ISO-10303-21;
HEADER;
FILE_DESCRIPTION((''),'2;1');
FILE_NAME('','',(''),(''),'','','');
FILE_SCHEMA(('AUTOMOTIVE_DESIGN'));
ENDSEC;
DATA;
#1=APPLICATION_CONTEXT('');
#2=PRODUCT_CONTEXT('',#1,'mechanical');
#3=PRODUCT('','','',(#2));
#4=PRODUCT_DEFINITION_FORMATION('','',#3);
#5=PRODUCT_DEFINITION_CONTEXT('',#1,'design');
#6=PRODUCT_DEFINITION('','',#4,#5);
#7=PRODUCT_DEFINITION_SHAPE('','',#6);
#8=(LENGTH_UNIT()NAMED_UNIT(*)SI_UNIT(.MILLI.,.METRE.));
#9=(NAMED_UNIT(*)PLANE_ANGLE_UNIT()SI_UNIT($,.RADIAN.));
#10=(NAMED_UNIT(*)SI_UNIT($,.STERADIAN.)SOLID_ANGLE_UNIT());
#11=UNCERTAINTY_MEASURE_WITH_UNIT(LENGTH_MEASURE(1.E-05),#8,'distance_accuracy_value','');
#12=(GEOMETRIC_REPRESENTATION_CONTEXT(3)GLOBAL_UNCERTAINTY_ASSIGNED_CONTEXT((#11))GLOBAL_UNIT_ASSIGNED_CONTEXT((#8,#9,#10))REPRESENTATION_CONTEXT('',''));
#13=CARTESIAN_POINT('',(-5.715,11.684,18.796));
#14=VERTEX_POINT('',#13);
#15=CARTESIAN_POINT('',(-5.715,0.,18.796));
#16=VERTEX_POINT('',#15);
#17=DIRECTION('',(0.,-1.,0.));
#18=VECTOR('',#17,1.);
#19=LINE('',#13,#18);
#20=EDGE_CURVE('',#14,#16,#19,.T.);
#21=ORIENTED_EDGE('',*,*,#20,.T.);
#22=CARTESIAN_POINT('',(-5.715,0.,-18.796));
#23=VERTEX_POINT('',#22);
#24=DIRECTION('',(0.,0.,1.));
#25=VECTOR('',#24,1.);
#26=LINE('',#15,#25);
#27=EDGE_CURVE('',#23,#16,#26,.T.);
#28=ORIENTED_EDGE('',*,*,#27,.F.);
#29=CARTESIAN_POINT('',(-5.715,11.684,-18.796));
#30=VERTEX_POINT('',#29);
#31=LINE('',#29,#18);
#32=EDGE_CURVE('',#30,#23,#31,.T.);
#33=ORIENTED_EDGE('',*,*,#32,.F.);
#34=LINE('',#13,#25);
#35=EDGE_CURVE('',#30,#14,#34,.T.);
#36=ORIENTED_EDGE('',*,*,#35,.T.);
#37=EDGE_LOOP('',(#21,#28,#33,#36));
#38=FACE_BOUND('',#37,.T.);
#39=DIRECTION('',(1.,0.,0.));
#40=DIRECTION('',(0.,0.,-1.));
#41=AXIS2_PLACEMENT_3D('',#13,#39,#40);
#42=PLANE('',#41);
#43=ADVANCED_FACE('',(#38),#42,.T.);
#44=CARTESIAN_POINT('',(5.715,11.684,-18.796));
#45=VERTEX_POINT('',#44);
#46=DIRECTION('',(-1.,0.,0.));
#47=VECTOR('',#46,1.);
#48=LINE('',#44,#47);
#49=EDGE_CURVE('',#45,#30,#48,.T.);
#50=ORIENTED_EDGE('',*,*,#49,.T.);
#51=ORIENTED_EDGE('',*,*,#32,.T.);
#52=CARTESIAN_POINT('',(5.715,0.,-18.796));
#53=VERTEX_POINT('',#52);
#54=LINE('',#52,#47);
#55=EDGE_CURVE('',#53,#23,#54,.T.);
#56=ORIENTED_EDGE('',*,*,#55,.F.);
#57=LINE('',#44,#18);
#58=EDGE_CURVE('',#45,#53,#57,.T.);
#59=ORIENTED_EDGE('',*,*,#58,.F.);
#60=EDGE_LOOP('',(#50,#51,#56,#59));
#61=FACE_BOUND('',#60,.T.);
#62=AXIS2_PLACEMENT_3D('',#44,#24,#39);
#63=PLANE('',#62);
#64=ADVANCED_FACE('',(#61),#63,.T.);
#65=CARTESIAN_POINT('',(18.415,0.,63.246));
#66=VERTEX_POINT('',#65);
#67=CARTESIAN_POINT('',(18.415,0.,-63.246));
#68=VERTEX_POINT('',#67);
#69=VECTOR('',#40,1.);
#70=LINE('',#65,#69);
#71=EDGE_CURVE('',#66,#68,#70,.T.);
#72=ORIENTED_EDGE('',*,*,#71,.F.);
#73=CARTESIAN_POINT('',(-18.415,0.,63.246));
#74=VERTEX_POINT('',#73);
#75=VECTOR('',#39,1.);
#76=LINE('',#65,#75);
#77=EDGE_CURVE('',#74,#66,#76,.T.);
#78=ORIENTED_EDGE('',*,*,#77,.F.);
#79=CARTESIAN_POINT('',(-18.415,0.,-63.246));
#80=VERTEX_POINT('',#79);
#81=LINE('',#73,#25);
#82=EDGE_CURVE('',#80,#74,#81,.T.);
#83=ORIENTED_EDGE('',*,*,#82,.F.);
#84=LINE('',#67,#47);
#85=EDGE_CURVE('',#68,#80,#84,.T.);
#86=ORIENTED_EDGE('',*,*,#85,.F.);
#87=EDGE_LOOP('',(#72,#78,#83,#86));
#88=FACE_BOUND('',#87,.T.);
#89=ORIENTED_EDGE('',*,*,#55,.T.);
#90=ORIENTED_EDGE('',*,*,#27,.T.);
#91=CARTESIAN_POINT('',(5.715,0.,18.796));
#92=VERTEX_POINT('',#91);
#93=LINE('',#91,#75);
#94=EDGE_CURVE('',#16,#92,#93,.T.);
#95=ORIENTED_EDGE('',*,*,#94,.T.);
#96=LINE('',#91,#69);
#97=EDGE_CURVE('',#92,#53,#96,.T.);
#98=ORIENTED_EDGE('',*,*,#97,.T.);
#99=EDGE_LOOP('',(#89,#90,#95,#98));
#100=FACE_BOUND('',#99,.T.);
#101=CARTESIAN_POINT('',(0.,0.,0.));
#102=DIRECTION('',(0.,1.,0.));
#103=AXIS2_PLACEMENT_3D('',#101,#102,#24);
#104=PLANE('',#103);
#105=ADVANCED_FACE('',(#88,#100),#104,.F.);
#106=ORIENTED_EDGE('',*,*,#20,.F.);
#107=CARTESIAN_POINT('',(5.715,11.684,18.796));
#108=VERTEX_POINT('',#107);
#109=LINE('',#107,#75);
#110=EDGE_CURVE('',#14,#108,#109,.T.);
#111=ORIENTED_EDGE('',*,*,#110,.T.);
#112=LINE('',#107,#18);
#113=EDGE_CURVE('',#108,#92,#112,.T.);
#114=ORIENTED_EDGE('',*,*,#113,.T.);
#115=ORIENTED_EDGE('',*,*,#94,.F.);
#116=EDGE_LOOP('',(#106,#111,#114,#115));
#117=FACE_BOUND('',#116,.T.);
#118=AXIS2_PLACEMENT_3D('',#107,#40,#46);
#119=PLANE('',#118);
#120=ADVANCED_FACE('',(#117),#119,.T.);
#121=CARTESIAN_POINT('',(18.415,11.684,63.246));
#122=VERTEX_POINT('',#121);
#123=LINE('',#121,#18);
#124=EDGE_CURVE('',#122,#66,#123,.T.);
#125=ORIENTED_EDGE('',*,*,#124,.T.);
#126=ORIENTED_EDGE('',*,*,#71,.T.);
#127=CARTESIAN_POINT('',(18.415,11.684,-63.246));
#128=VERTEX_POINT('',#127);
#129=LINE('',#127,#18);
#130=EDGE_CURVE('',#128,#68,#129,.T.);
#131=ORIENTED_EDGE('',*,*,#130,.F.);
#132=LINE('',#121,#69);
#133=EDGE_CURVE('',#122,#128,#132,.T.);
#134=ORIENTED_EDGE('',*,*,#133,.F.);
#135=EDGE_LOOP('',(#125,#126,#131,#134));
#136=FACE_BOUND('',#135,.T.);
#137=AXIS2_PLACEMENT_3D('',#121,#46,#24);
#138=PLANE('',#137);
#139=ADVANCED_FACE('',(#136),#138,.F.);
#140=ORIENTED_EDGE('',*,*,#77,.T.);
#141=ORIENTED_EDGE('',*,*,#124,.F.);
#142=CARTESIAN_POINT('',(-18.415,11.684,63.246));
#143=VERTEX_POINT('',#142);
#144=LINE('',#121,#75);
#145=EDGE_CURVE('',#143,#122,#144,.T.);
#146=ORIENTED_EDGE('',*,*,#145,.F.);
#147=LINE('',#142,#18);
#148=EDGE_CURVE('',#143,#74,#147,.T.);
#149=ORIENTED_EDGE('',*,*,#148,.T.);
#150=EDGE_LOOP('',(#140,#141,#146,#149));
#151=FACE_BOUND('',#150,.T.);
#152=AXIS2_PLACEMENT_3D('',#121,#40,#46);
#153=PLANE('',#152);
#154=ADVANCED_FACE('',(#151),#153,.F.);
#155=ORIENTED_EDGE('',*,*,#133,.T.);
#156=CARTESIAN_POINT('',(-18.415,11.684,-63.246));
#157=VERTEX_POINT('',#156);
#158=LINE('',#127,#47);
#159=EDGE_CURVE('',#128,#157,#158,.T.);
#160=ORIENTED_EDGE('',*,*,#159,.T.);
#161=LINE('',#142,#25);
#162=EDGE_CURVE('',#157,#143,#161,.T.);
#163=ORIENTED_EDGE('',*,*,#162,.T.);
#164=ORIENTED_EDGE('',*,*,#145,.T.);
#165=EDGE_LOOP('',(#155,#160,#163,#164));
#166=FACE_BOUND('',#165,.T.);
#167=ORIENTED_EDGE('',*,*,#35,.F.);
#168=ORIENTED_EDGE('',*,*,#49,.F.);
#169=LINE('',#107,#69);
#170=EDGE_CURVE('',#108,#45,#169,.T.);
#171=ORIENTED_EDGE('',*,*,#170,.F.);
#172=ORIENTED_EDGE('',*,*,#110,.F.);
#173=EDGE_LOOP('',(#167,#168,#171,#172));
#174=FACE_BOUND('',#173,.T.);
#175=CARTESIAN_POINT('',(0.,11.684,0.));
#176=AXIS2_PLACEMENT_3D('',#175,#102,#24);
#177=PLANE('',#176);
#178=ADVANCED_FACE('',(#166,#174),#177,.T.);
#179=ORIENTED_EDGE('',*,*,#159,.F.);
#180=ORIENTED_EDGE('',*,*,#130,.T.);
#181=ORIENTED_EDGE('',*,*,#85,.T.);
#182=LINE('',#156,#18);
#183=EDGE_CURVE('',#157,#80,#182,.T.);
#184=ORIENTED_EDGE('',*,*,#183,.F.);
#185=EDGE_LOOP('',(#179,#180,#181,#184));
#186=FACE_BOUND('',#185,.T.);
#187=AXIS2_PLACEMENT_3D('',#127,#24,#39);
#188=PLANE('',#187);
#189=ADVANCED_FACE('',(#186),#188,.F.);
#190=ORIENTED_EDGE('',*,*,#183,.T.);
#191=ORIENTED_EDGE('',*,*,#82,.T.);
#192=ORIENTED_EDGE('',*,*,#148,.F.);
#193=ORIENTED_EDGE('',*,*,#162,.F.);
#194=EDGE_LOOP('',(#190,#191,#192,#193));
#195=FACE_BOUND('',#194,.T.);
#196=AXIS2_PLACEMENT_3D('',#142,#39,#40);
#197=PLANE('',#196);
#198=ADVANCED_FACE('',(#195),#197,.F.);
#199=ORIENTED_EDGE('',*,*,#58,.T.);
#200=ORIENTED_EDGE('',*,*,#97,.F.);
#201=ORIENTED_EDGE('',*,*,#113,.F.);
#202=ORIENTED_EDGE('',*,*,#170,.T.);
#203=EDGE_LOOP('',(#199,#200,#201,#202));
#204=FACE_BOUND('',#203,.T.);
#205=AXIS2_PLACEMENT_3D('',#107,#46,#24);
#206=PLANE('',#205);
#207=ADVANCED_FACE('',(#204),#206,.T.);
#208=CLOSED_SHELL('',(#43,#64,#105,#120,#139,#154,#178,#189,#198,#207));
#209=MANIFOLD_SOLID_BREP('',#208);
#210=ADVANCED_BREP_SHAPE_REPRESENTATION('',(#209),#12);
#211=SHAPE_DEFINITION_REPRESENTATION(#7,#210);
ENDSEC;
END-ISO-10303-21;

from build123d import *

# Parameters (mm, degrees)
SKETCH1_W           = 36.83
SKETCH1_H           = 126.492
SKETCH1_W_2         = 11.43
SKETCH1_H_2         = 37.592
BOSS_EXTRUDE1_DEPTH = 11.684


with BuildPart() as part:
    # Sketch1 → Boss-Extrude1 (new body)
    with BuildSketch(Plane(origin=(0, 0, 0), x_dir=(1, 0, 0), z_dir=(0, 1, 0))):
        Rectangle(SKETCH1_W, SKETCH1_H)
        Rectangle(SKETCH1_W_2, SKETCH1_H_2, mode=Mode.SUBTRACT)
    extrude(amount=BOSS_EXTRUDE1_DEPTH)


solid = part.part
